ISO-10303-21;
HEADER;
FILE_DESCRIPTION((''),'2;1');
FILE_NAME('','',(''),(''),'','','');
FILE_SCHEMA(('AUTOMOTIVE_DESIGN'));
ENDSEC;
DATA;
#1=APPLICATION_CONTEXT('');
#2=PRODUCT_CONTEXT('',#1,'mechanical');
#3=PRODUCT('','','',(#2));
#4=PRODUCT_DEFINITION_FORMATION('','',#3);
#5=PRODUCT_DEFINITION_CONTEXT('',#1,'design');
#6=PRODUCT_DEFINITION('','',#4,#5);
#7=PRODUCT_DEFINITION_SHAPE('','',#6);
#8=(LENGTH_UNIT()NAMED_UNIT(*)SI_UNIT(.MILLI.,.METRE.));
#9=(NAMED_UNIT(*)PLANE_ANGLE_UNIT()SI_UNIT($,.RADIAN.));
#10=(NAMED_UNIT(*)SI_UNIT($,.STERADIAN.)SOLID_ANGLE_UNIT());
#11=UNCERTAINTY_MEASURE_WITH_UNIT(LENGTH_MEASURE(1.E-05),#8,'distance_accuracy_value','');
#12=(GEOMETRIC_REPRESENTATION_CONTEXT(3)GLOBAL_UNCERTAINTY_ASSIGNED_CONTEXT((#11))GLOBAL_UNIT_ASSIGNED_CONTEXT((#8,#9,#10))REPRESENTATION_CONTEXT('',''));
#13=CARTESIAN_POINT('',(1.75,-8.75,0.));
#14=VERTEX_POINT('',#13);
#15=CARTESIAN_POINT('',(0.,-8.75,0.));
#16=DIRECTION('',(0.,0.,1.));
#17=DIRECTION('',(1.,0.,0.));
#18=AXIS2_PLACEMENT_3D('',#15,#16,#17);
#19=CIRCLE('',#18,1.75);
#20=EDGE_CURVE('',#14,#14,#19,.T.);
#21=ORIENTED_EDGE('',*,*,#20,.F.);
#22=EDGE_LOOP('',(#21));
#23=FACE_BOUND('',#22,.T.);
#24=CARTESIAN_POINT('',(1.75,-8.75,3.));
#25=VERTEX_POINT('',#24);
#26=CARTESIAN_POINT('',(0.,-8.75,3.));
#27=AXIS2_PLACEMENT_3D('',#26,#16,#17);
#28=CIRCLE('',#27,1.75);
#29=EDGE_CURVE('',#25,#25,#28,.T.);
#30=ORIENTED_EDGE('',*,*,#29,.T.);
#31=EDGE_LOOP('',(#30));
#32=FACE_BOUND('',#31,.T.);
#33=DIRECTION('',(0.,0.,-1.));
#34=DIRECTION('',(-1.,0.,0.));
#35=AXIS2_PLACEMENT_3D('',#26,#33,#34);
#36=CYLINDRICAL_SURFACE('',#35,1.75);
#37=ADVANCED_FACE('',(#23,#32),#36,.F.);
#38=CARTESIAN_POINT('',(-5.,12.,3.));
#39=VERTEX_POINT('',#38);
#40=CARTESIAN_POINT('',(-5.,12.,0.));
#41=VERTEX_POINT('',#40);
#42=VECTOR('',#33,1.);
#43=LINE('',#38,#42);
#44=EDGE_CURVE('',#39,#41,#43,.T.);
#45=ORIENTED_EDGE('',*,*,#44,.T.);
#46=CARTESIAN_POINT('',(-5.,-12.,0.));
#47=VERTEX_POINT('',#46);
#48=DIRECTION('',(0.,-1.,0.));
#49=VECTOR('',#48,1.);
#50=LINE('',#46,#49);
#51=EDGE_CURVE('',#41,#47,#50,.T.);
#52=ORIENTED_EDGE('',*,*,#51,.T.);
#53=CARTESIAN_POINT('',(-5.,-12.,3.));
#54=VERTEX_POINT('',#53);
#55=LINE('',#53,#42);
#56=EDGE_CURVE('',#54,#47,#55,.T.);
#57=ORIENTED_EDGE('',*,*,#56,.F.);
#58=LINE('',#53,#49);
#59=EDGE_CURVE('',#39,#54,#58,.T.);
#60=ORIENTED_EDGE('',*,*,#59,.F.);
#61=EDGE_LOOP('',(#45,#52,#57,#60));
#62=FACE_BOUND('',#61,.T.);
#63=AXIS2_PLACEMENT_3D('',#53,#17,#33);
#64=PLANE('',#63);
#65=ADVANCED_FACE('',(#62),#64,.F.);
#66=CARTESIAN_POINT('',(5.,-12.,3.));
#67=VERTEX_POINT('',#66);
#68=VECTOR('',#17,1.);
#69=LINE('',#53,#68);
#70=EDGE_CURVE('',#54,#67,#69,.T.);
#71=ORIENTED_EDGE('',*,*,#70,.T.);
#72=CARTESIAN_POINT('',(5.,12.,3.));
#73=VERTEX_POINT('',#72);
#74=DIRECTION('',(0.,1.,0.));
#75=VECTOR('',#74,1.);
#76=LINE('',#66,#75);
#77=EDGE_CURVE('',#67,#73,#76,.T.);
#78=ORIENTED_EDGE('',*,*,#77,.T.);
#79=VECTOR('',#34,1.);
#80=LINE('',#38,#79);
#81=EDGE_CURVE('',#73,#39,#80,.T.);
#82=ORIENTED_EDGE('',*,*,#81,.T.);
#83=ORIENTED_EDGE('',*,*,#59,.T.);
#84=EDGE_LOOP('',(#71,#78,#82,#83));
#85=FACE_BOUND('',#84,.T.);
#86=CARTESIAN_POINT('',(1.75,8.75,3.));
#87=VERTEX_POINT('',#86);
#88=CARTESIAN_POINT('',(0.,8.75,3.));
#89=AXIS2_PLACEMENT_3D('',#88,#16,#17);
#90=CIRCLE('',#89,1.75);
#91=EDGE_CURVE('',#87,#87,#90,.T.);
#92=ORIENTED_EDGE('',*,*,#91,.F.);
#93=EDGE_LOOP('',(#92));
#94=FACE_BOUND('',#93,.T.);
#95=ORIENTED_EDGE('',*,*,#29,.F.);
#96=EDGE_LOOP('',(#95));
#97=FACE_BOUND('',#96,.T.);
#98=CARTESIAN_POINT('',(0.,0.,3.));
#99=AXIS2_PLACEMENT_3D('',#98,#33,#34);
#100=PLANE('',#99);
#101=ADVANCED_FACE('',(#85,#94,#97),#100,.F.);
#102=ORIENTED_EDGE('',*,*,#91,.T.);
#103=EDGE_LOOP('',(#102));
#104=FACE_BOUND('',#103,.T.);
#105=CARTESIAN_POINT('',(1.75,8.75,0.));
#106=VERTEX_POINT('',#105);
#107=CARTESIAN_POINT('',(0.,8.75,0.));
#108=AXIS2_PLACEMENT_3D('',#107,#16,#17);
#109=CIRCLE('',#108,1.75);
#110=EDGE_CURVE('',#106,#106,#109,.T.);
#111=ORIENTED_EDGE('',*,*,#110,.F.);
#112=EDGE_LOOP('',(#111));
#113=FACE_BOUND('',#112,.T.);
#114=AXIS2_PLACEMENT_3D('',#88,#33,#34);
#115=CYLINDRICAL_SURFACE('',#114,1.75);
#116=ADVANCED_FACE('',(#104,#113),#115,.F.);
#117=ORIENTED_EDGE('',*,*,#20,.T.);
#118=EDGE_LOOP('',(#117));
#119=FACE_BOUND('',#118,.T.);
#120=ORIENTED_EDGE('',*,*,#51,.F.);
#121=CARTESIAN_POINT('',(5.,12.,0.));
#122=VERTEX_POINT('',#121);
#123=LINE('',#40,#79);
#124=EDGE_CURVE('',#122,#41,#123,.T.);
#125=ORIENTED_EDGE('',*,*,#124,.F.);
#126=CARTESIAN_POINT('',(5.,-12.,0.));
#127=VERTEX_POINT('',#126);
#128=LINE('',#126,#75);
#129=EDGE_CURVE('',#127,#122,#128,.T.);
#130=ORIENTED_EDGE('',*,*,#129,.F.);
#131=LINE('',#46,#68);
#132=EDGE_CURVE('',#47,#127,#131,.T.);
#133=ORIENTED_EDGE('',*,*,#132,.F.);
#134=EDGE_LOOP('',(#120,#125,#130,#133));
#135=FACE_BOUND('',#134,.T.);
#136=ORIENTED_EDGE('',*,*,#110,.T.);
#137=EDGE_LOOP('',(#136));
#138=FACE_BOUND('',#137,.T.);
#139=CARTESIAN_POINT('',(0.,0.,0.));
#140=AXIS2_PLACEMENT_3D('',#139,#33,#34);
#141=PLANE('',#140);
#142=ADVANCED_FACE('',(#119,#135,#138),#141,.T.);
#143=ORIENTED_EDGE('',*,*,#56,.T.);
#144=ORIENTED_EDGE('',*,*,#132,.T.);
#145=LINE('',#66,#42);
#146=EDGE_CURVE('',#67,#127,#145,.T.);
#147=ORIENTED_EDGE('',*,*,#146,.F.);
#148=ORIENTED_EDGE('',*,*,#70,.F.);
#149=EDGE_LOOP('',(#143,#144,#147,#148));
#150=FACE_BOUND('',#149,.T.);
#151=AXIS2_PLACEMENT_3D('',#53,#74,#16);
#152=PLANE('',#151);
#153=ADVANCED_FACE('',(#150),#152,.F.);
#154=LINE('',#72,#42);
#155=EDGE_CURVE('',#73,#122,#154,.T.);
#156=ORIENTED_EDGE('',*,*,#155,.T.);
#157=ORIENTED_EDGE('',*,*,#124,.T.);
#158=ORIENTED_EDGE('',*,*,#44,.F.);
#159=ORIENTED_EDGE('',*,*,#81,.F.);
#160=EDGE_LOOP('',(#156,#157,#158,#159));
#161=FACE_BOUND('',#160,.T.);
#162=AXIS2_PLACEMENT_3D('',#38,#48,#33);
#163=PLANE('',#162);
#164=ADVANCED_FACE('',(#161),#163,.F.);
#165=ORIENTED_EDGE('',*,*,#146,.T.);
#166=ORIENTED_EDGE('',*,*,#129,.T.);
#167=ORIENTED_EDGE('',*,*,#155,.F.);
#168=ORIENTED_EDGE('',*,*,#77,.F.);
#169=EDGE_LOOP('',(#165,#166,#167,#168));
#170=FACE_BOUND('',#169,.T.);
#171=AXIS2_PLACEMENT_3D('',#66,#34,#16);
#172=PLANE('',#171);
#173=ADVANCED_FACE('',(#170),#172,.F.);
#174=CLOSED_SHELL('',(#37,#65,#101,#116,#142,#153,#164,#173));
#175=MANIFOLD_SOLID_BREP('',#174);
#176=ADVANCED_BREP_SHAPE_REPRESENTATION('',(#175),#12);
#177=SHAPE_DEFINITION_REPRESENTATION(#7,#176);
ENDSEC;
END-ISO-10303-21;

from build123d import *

# Parameters (mm, degrees)
CROQUIS1_W              = 10
CROQUIS1_H              = 24
CROQUIS1_R              = 1.75
SALIENTE_EXTRUIR1_DEPTH = 3


with BuildPart() as part:
    # Croquis1 → Saliente-Extruir1 (new body)
    with BuildSketch(Plane.XY):
        Rectangle(CROQUIS1_W, CROQUIS1_H)
        with Locations((0, 8.75)):
            Circle(CROQUIS1_R, mode=Mode.SUBTRACT)
        with Locations((0, -8.75)):
            Circle(CROQUIS1_R, mode=Mode.SUBTRACT)
    extrude(amount=SALIENTE_EXTRUIR1_DEPTH)


solid = part.part
